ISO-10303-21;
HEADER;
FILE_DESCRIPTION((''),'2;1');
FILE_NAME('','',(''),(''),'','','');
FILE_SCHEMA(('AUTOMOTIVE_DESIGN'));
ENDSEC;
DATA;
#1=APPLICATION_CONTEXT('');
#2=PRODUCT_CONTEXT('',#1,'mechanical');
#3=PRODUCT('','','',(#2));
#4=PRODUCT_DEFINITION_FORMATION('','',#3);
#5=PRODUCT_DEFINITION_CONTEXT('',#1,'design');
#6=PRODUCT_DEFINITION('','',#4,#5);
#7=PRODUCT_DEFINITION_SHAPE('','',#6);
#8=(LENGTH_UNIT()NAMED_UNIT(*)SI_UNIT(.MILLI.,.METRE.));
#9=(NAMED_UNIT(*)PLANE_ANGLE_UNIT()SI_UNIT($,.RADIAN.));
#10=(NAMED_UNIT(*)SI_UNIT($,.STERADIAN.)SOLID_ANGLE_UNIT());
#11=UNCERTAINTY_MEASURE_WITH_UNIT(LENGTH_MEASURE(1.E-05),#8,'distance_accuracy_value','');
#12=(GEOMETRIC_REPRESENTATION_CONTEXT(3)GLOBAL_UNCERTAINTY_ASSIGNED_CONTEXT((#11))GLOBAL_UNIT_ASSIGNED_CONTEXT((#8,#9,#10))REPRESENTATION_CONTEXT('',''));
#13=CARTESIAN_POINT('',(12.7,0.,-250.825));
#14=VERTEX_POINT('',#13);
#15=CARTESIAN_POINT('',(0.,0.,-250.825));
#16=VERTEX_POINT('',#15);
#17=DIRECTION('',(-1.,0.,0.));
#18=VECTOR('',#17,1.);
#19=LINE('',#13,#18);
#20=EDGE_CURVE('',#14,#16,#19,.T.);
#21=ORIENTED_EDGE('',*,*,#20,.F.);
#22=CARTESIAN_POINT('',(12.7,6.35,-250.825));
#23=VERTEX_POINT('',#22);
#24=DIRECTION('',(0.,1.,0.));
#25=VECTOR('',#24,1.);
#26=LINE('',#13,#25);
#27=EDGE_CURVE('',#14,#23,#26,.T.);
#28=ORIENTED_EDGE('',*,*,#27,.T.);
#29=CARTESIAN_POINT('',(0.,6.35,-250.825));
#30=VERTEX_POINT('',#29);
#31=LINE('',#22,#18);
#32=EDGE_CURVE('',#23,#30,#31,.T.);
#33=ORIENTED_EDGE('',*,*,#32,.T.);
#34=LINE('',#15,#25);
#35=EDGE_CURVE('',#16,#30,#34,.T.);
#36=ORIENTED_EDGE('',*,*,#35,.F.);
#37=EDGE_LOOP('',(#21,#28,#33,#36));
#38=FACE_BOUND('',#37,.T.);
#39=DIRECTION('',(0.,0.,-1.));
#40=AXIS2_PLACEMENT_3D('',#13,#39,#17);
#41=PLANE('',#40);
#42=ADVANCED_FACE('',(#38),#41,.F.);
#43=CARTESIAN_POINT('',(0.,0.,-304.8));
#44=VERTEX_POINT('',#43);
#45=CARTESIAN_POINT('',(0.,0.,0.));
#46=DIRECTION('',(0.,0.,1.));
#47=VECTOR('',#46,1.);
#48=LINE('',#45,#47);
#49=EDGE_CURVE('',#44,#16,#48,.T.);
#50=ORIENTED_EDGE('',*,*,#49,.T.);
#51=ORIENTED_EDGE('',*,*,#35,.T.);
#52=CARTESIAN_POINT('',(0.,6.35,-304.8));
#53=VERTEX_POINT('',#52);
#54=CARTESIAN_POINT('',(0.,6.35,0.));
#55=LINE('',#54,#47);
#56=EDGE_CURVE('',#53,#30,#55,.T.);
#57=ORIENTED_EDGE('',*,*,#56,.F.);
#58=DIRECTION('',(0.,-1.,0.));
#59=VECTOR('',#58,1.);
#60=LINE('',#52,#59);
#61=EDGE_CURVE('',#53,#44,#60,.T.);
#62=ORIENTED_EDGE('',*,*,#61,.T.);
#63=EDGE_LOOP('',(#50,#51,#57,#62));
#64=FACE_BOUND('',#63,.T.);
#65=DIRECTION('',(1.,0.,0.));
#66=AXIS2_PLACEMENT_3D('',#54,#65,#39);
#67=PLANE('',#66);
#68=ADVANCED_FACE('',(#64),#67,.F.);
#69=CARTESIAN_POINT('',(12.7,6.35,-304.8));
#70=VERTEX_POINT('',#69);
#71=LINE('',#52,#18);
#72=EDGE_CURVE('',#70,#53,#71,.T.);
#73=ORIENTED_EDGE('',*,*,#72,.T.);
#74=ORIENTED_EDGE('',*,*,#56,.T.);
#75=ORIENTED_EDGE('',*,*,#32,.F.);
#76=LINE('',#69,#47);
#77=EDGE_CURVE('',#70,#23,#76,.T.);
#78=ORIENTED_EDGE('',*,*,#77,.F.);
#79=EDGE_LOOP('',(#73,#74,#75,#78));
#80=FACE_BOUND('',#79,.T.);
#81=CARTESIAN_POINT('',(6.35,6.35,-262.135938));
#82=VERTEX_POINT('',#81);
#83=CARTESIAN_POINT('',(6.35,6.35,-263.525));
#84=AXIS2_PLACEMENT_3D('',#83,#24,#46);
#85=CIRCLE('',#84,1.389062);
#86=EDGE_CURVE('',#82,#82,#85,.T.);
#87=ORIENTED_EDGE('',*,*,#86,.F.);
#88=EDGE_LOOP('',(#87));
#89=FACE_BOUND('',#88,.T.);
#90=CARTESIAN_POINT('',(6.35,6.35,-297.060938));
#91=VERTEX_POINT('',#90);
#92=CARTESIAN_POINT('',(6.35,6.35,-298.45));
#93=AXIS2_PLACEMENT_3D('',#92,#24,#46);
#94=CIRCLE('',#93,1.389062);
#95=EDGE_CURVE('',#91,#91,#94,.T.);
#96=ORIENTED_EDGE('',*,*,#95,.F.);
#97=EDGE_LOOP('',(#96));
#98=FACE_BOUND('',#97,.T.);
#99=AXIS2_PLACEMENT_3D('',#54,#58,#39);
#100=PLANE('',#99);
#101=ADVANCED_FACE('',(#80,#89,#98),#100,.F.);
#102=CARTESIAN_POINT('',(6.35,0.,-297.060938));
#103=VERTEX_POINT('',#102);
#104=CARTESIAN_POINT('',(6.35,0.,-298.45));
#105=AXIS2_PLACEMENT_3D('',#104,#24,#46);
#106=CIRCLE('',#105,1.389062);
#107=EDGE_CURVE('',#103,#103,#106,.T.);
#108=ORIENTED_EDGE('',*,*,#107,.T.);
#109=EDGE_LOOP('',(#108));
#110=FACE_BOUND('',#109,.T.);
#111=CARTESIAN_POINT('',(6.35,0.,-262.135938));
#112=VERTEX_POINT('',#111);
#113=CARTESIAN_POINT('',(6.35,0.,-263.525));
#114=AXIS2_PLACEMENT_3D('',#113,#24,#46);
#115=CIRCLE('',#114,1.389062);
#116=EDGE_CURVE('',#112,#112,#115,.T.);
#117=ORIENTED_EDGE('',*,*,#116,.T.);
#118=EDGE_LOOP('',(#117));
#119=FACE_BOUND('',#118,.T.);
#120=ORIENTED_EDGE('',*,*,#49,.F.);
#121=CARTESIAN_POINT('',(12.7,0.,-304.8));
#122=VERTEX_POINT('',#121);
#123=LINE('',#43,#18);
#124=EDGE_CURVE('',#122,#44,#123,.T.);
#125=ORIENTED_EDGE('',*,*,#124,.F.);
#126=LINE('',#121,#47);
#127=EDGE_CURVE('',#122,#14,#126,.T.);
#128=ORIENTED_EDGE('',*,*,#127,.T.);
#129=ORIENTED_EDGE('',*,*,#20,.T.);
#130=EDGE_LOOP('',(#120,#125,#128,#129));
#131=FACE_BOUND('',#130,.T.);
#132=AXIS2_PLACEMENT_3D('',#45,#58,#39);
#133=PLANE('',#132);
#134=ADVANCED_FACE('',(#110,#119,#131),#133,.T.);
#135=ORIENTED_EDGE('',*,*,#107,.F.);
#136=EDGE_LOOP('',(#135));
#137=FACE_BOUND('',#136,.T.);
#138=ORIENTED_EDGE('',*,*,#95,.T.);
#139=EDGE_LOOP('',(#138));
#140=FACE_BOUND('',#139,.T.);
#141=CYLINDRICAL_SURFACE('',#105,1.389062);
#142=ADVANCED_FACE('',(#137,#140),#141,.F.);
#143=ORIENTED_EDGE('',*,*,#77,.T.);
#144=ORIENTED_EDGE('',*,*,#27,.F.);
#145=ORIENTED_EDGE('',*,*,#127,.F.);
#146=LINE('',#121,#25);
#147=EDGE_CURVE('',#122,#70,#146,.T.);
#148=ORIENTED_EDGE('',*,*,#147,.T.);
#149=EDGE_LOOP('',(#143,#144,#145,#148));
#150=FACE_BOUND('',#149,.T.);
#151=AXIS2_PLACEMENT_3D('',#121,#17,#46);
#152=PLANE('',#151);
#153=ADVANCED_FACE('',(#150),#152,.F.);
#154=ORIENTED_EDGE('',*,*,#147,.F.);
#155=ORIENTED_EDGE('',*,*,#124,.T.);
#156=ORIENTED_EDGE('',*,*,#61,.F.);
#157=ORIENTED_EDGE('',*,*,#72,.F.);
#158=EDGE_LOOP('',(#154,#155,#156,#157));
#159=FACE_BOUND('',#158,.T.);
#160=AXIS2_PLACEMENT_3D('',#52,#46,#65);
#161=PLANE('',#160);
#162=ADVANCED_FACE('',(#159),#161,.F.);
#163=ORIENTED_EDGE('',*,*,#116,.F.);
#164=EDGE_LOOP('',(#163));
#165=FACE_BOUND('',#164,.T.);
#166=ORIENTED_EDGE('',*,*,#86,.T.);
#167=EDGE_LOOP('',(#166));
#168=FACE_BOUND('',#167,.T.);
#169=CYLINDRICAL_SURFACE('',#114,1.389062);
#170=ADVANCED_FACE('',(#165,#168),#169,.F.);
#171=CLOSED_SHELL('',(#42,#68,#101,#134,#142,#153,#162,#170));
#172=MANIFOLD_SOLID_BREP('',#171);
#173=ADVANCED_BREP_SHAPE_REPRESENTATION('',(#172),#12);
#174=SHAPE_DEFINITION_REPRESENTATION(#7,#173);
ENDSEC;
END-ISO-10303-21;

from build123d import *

# Parameters (mm, degrees)
SKETCH1_W           = 304.8
SKETCH1_H           = 304.8
BOSS_EXTRUDE1_DEPTH = 6.35
CUT_EXTRUDE2_DEPTH  = 6.35
SKETCH3_R           = 1.3890625
CUT_EXTRUDE3_DEPTH  = 306.130549929


with BuildPart() as part:
    # Sketch1 → Boss-Extrude1 (new body)
    with BuildSketch(Plane(origin=(0, 0, 0), x_dir=(1, 0, 0), z_dir=(0, 1, 0))):
        with Locations((152.4, 152.4)):
            Rectangle(SKETCH1_W, SKETCH1_H)
    extrude(amount=BOSS_EXTRUDE1_DEPTH)

    # Sketch2 → Cut-Extrude2 (cut)
    with BuildSketch(Plane(origin=(0, 6.35, 0), x_dir=(1, 0, 0), z_dir=(0, 1, 0))):
        Polygon((12.7, 304.8), (12.7, 250.825), (0, 250.825), (0, 0), (304.8, 0), (304.8, 304.8), align=None)
    extrude(amount=-CUT_EXTRUDE2_DEPTH, mode=Mode.SUBTRACT)

    # Sketch3 → Cut-Extrude3 (cut, through all)
    with BuildSketch(Plane(origin=(0, 6.35, 0), x_dir=(1, 0, 0), z_dir=(0, 1, 0))):
        with Locations(Location((6.35, 263.525, 0), (0, 0, 270))):
            Circle(SKETCH3_R)
        with Locations(Location((6.35, 298.45, 0), (0, 0, 270))):
            Circle(SKETCH3_R)
    extrude(amount=-CUT_EXTRUDE3_DEPTH, mode=Mode.SUBTRACT)


solid = part.part
